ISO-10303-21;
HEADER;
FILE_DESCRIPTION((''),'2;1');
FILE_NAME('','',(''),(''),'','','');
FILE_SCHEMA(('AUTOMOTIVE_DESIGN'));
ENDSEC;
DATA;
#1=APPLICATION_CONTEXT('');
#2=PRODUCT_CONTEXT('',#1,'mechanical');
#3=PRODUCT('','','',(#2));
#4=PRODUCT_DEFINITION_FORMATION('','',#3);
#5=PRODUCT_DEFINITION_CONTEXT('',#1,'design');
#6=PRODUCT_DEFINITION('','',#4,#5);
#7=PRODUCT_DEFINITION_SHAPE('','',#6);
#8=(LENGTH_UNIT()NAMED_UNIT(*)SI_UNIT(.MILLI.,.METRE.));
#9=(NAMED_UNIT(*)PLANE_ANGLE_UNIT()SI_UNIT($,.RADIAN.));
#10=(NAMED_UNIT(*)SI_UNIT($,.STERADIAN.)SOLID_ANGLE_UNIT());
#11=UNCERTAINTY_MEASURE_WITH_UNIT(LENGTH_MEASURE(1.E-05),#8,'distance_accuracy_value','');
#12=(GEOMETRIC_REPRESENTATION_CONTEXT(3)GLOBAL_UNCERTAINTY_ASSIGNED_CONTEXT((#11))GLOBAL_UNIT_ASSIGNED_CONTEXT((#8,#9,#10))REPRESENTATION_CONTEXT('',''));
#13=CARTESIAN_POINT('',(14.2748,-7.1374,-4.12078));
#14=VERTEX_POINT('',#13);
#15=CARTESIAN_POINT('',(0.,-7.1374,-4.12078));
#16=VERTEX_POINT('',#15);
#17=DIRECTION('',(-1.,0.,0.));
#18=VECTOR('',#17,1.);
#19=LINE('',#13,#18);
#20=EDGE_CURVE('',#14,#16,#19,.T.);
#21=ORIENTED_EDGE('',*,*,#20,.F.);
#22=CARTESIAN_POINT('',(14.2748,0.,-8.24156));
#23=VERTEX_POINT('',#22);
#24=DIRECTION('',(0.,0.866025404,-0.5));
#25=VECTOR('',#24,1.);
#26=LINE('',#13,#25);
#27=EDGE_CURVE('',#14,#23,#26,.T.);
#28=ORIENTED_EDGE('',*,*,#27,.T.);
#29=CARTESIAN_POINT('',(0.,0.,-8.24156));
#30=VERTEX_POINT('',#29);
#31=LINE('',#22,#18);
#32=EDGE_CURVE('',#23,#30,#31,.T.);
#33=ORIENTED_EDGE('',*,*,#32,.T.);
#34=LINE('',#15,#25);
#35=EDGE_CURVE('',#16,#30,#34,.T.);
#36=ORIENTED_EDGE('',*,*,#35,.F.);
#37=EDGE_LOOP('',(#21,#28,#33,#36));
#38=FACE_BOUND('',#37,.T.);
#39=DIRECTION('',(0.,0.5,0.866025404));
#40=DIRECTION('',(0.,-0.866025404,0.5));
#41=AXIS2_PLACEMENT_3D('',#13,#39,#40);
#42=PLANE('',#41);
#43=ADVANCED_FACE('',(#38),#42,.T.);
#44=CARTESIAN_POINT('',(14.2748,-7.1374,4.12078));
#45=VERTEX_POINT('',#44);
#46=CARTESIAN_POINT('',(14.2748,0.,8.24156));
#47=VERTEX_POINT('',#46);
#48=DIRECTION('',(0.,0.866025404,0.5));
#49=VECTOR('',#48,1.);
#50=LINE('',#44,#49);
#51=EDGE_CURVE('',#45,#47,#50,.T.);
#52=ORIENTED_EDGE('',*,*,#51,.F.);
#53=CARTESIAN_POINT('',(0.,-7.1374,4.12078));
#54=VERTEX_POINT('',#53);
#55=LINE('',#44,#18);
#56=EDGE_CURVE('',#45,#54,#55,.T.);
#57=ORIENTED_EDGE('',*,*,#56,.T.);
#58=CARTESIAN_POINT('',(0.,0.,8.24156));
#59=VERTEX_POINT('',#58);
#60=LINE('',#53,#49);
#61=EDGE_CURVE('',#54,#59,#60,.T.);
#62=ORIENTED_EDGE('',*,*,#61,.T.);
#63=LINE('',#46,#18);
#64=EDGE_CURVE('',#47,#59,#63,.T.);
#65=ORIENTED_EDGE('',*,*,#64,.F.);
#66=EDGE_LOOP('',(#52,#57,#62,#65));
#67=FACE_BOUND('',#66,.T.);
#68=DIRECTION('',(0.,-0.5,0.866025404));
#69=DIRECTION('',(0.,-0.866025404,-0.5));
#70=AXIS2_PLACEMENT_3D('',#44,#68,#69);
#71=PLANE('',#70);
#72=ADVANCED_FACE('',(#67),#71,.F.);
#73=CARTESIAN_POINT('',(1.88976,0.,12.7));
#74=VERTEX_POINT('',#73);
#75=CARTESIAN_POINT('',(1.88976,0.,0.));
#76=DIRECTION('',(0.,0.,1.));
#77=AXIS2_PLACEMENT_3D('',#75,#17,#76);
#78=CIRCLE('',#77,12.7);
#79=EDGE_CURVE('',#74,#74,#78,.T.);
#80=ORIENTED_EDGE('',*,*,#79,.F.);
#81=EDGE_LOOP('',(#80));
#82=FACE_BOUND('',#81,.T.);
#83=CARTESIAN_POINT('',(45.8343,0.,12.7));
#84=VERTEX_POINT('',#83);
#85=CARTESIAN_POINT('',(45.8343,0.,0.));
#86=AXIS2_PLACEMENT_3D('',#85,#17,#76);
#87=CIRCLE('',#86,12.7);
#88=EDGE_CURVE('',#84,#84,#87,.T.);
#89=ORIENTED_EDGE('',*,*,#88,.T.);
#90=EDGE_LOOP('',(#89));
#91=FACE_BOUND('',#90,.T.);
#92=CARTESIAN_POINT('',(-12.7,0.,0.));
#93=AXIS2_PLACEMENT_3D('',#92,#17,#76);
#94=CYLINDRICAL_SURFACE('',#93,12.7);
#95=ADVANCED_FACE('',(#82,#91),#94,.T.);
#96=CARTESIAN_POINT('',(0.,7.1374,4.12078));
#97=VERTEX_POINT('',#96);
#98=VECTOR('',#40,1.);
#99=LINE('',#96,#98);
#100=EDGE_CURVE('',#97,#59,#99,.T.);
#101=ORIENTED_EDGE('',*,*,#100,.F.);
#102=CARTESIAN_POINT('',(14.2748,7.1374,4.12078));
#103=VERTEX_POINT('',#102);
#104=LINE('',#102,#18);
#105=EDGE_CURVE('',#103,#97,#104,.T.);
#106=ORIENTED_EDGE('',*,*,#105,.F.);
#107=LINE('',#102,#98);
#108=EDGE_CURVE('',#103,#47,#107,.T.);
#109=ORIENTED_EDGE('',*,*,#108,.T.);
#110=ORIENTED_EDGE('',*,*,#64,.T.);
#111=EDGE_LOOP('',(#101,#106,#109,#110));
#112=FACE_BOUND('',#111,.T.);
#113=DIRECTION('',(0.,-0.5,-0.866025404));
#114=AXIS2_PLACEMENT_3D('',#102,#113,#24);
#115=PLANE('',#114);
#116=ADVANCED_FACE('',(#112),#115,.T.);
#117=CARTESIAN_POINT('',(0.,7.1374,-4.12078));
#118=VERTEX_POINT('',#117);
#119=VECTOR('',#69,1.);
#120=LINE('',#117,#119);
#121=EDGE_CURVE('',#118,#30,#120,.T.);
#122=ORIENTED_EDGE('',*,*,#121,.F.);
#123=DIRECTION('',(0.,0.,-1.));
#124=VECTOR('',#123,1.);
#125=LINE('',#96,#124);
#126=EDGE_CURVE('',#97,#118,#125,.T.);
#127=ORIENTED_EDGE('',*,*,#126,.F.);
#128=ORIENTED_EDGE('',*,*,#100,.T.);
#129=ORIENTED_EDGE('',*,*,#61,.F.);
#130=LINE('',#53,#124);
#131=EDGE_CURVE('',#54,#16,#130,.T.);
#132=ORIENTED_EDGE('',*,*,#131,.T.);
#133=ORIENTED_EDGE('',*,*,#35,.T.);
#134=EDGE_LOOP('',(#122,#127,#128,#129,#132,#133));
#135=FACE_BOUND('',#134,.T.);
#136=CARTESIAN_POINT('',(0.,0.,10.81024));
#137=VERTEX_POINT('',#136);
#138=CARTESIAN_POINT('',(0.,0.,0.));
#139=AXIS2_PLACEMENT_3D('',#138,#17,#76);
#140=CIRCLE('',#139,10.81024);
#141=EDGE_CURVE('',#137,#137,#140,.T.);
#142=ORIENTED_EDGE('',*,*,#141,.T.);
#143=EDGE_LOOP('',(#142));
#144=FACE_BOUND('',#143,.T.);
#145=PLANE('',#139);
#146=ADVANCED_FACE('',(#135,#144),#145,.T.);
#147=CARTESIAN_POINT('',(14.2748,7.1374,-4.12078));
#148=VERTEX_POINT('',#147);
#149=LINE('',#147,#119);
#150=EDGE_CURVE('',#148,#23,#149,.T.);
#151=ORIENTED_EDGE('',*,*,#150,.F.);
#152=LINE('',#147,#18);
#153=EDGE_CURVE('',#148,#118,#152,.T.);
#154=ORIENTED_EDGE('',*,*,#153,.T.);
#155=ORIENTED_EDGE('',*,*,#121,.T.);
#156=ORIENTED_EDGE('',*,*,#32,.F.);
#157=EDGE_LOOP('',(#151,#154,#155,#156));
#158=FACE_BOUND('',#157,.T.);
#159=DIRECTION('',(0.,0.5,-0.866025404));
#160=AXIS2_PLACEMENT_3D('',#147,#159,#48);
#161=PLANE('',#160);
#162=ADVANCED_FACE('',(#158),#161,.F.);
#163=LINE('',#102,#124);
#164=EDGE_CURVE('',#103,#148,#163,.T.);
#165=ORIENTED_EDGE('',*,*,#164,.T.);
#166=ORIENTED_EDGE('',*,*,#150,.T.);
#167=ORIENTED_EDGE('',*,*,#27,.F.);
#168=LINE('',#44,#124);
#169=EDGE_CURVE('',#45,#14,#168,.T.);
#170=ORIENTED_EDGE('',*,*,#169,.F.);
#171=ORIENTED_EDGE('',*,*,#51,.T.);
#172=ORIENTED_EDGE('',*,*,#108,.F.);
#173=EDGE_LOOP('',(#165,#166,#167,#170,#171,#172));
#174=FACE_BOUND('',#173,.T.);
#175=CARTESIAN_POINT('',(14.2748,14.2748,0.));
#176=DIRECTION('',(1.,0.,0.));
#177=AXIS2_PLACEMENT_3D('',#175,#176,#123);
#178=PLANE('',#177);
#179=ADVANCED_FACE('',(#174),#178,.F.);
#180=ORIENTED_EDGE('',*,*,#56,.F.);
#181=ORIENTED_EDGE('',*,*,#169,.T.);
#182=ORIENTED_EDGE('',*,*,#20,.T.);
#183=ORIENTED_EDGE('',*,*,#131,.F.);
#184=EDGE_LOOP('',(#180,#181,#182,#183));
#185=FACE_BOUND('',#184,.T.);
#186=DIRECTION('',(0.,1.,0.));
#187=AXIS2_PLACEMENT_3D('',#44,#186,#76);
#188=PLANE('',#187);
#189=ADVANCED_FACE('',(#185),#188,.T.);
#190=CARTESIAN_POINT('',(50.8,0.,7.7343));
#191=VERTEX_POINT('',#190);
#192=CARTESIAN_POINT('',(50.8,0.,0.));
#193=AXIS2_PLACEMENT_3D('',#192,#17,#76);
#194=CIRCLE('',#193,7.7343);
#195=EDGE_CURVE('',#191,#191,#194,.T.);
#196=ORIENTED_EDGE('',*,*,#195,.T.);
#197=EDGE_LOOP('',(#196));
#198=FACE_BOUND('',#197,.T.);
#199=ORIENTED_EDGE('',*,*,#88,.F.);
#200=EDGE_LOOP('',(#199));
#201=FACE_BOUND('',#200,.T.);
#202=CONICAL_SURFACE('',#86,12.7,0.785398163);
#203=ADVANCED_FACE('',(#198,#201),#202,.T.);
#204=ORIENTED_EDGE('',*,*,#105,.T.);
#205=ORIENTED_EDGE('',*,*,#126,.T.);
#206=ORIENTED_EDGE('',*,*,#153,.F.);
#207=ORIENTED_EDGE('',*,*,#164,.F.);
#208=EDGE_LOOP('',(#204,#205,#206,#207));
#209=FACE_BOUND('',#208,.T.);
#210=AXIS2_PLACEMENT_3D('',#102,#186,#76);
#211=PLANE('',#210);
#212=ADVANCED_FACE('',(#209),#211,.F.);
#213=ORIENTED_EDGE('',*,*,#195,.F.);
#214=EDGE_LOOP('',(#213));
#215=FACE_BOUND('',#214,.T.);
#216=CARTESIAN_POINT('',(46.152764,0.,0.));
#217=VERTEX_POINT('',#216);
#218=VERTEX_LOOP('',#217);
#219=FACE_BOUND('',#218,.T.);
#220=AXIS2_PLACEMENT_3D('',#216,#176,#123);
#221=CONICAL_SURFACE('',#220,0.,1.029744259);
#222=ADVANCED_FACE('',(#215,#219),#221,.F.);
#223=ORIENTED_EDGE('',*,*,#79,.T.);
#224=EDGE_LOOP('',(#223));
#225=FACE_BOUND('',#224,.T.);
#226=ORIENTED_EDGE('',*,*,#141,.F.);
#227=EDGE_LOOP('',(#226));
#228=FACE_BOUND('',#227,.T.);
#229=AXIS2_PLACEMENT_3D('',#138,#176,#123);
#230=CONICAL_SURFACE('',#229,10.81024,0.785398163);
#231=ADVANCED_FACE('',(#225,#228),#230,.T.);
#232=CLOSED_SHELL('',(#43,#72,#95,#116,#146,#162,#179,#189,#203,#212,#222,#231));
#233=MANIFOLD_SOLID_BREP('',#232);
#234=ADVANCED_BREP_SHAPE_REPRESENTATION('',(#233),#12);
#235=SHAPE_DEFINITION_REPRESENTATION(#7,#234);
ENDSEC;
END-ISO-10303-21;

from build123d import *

# Parameters (mm, degrees)
HEX_2_DEPTH = 14.2748


with BuildPart() as part:
    # BodySke → BaseBody (revolve)
    with BuildSketch(Plane.XY, mode=Mode.PRIVATE) as basebody_sk:
        Polygon((0, 0), (0, 10.81024), (1.88976, 12.7), (45.8343, 12.7), (50.8, 7.7343), (46.152763714, 0), align=None)
    revolve(basebody_sk.sketch.rotate(Axis((-12.7, 0, 0), (1, 0, 0)), 90), axis=Axis((-12.7, 0, 0), (1, 0, 0)))

    # Sketch2 → Hex 2 (cut)
    with BuildSketch(Plane.ZY):
        Polygon((4.120779811, 7.1374), (-4.120779811, 7.1374), (-8.241559623, 0), (-4.120779811, -7.1374), (4.120779811, -7.1374), (8.241559623, 0), align=None)
    extrude(amount=-HEX_2_DEPTH, mode=Mode.SUBTRACT)


solid = part.part
